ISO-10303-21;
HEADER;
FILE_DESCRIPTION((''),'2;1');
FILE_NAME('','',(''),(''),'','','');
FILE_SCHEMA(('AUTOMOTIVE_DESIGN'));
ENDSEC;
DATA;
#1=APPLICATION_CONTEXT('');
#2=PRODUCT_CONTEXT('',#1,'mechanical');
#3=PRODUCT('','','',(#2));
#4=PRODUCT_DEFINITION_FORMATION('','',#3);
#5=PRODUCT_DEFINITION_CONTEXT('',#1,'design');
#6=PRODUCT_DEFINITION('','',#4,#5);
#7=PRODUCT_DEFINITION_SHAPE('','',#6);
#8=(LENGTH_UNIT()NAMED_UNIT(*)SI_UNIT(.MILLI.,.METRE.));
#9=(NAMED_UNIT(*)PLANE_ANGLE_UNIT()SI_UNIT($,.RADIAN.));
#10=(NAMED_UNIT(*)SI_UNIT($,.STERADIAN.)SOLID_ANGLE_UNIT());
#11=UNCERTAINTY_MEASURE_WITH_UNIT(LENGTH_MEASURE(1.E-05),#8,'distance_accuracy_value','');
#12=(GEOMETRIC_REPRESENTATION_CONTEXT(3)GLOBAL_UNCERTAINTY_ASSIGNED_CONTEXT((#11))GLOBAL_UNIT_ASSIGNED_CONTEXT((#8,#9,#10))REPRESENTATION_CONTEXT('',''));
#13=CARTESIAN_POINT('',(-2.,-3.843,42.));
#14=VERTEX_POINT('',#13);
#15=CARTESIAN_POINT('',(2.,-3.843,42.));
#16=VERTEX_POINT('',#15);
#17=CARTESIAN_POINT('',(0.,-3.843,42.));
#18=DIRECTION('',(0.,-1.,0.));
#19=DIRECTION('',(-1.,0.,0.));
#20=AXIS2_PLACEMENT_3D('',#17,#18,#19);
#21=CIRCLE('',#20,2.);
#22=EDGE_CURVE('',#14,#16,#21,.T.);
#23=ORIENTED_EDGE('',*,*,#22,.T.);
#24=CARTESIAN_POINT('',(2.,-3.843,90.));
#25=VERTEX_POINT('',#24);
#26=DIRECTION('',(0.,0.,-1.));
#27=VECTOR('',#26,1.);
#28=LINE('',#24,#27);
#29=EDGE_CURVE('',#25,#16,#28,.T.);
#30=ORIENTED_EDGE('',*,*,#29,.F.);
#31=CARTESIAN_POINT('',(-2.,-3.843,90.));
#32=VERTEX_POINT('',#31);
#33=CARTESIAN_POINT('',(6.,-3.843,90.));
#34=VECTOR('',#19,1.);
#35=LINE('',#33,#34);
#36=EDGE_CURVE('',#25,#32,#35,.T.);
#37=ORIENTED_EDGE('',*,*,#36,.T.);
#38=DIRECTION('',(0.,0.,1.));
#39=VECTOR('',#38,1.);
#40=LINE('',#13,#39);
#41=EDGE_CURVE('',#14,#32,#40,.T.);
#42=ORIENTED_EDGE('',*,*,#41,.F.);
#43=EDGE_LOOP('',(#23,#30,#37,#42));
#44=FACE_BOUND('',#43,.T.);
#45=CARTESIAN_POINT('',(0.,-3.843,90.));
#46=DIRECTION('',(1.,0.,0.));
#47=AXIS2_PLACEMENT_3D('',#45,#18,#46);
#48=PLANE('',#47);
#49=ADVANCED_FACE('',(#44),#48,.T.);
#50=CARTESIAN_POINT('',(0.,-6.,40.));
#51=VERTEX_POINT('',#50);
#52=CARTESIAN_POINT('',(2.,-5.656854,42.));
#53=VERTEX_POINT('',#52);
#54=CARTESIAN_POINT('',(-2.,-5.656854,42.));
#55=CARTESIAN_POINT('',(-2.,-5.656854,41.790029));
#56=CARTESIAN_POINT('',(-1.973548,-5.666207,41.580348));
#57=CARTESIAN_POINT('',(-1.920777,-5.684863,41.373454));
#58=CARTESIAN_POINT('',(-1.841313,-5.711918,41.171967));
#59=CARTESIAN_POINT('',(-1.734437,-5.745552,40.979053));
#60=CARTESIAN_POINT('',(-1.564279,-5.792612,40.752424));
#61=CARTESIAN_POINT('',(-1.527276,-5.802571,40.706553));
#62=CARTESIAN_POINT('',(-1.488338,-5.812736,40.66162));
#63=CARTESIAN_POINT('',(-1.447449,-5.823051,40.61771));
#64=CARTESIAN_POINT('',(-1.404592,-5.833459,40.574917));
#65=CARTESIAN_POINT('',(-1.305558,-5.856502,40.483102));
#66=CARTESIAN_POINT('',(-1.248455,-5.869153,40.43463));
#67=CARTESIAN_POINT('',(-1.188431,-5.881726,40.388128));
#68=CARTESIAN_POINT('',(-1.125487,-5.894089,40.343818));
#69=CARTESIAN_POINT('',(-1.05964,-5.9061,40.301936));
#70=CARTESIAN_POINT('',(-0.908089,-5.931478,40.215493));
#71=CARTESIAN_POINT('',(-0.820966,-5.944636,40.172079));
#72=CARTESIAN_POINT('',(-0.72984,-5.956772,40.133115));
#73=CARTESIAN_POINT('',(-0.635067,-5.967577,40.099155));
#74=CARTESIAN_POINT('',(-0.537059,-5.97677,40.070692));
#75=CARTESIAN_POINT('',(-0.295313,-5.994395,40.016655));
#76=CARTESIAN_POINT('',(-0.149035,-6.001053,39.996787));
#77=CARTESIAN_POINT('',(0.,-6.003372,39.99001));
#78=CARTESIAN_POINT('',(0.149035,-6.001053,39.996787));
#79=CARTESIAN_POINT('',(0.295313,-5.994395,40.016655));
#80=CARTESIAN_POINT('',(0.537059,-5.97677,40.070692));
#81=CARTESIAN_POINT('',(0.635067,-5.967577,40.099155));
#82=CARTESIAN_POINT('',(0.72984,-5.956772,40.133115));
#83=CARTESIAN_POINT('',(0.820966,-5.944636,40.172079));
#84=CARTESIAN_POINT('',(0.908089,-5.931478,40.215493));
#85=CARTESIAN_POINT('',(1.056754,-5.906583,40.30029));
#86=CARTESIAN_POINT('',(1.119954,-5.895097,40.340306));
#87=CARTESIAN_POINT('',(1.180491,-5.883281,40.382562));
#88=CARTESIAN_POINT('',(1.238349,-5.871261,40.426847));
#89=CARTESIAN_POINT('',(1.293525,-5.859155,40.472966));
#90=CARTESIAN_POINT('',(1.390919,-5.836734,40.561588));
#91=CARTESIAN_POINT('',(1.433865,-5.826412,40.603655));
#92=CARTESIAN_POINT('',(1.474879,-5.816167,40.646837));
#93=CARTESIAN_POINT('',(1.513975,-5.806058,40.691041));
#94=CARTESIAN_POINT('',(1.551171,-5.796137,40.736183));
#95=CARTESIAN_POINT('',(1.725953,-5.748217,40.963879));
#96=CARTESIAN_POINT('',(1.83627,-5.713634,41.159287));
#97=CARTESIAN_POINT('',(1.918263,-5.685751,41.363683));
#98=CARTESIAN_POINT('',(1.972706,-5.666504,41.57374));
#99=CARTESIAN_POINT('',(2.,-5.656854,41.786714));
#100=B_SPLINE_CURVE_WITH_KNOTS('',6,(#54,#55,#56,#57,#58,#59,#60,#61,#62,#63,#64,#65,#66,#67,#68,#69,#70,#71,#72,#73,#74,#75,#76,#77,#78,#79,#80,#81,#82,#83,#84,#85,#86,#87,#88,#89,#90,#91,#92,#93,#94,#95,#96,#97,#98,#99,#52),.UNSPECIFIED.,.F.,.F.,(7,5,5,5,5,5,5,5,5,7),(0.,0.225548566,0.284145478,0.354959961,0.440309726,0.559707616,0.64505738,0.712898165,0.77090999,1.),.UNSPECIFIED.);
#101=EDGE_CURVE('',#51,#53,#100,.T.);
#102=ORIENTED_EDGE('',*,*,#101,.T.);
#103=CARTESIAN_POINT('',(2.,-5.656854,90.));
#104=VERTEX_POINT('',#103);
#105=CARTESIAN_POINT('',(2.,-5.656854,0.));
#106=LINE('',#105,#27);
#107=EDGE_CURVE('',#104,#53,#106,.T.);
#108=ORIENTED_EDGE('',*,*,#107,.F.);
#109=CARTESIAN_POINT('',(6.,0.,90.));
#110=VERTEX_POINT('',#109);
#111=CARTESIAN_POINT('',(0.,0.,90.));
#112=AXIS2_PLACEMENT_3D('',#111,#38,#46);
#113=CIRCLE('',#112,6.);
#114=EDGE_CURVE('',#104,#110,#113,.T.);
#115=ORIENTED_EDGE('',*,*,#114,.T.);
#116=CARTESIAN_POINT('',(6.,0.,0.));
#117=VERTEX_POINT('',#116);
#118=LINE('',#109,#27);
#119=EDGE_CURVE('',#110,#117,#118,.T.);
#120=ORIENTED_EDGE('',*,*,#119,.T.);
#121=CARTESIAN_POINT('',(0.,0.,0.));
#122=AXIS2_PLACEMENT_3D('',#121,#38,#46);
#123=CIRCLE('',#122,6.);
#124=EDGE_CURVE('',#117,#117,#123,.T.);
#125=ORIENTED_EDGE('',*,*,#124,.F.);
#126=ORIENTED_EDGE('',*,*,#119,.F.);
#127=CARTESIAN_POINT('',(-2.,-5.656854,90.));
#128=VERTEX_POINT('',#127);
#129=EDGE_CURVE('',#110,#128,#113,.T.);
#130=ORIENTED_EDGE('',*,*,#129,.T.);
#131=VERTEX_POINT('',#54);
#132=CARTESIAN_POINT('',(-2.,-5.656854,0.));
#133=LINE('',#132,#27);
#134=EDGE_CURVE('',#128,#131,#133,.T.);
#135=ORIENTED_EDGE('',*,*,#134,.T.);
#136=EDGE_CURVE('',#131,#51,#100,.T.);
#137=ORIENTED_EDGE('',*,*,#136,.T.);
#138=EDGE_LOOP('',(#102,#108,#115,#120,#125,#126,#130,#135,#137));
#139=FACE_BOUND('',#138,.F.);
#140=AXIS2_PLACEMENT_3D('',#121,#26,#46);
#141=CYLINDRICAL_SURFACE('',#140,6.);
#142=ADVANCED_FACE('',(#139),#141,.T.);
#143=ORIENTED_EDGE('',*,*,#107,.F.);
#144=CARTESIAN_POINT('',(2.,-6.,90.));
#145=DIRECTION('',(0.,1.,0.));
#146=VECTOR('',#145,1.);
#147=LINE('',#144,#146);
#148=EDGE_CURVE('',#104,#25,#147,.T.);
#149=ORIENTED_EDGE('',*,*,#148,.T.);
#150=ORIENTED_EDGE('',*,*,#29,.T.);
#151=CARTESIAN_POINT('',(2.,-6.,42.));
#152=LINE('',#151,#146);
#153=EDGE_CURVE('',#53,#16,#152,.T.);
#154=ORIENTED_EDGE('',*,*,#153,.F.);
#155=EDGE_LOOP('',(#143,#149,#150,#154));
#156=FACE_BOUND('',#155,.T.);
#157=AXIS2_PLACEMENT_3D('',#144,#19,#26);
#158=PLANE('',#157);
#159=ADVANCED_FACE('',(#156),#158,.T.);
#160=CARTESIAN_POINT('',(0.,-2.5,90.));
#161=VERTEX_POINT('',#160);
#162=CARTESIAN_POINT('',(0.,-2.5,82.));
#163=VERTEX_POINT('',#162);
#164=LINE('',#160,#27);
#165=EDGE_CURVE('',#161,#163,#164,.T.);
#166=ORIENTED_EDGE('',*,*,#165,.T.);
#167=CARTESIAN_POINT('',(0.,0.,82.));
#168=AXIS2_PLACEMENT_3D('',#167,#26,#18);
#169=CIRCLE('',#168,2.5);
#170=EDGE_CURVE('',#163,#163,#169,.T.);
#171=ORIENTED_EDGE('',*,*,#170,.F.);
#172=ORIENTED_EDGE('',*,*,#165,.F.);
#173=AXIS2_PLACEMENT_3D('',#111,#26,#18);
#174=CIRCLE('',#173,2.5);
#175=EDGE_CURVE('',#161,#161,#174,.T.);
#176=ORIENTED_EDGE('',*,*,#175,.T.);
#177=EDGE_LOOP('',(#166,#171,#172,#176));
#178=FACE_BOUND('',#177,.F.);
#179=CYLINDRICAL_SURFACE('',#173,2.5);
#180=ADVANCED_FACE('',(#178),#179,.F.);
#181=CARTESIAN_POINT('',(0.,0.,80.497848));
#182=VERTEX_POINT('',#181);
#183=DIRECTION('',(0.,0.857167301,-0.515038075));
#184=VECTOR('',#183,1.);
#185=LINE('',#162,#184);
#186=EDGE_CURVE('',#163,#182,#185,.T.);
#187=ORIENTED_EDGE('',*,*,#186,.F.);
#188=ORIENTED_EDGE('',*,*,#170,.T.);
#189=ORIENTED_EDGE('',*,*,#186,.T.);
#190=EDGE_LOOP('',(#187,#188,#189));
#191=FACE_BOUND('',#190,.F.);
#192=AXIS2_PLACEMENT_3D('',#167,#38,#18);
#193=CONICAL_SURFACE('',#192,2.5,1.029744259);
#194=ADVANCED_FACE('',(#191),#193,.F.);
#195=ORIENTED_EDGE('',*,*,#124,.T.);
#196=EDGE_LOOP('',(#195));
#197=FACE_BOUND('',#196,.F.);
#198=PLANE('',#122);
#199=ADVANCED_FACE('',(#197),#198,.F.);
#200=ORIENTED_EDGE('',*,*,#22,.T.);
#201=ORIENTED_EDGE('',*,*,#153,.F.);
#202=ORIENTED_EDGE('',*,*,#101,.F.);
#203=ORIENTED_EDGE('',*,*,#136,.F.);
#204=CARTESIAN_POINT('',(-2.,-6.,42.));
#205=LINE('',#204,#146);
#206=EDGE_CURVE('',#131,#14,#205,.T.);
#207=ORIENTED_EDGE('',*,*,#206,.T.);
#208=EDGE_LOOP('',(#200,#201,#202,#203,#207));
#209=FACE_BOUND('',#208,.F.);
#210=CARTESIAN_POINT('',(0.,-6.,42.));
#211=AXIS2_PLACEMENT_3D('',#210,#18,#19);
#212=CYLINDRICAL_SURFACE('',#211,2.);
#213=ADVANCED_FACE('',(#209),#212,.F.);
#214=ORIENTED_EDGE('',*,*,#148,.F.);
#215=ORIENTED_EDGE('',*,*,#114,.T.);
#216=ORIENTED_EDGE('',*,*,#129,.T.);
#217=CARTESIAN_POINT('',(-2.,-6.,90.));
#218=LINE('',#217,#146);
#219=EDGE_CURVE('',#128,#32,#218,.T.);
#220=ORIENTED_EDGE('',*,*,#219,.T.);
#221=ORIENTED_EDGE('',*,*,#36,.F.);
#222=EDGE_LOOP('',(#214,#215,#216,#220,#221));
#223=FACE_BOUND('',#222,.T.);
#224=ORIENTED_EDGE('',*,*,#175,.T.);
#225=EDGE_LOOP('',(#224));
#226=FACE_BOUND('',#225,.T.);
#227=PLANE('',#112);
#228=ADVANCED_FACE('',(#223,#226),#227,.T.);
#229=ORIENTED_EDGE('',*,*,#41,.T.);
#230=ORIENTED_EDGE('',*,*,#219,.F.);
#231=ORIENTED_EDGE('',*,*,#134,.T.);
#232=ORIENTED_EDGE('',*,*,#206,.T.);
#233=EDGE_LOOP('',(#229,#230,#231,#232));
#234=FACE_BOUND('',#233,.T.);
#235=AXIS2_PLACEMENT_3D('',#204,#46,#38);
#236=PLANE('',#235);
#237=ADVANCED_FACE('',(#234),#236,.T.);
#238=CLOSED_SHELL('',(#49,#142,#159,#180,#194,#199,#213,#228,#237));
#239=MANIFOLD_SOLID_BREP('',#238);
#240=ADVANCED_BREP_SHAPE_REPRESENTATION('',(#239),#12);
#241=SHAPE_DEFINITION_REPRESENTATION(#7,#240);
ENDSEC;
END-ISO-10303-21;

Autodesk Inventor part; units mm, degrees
ref_plane "YZ Plane" through (0, 0, 0) normal (1, 0, 0) x (0, 1, 0)
ref_plane "XZ Plane" through (0, 0, 0) normal (0, 1, 0) x (-1, 0, 0)
sketch "スケッチ1" plane through (0, 0, 0) normal (0, 0, 1) x (1, 0, 0)
  circle A0 centre (0, 0) radius 6
  dimension "d0" = 12
extrude "押し出し1" add sketch "スケッチ1" along normal blind 35
thread "ねじ1" size "M10x1.5" class "6g" standard "ANSI Metric M Profile" length 10
sketch "スケッチ2" plane through (0, 0, 35) normal (0, 0, 1) x (1, 0, 0)
  circle A0 centre (0, 0) radius 6
  dimension "d5" = 12
extrude "押し出し2" add sketch "スケッチ2" along normal blind 55
sketch "スケッチ6" plane through (0, 0, 90) normal (0, 0, 1) x (1, 0, 0)
  line L0 (0, 0) -> (0, -6) construction
  circle A0 centre (0, 0) radius 6 projected
ref_plane "作業平面5" through (0, -6, 90) normal (0, -1, 0) x (1, 0, 0)
sketch "スケッチ8" plane through (0, -6, 90) normal (0, -1, 0) x (1, 0, 0)
  line L0 (6, 0) -> (-6, 0) projected
  line L1 (-2, 0) -> (2, 0)
  line L2 (-2, 0) -> (2, 0)
  line L3 (2, 0) -> (2, -48)
  line L4 (-2, -48) -> (-2, 0)
  arc A0 (-2, -48) -> (2, -48) centre (0, -48) ccw
  point P0 (0, -90)
  point P1 (0, 0)
  dimension "d11" = 2
  dimension "d17" = 48
  dimension "d29" = 2
extrude "押し出し3" cut sketch "スケッチ8" against normal blind 2.157
sketch "スケッチ9" plane through (0, 0, 90) normal (0, 0, 1) x (1, 0, 0)
  point P0 (0, 0)
  point P1 (0, 0)
hole "穴1" at (0, 0, 90) direction (0, 0, -1) diameter 5 depth 8 tip angle 118
thread "ねじ2" size "Rc 2 1/2" standard "ISO Taper Internal" full length
thread "ねじ3" size "M5x0.8" class "6H" standard "ANSI Metric M Profile" full length
properties part number "正しい"
